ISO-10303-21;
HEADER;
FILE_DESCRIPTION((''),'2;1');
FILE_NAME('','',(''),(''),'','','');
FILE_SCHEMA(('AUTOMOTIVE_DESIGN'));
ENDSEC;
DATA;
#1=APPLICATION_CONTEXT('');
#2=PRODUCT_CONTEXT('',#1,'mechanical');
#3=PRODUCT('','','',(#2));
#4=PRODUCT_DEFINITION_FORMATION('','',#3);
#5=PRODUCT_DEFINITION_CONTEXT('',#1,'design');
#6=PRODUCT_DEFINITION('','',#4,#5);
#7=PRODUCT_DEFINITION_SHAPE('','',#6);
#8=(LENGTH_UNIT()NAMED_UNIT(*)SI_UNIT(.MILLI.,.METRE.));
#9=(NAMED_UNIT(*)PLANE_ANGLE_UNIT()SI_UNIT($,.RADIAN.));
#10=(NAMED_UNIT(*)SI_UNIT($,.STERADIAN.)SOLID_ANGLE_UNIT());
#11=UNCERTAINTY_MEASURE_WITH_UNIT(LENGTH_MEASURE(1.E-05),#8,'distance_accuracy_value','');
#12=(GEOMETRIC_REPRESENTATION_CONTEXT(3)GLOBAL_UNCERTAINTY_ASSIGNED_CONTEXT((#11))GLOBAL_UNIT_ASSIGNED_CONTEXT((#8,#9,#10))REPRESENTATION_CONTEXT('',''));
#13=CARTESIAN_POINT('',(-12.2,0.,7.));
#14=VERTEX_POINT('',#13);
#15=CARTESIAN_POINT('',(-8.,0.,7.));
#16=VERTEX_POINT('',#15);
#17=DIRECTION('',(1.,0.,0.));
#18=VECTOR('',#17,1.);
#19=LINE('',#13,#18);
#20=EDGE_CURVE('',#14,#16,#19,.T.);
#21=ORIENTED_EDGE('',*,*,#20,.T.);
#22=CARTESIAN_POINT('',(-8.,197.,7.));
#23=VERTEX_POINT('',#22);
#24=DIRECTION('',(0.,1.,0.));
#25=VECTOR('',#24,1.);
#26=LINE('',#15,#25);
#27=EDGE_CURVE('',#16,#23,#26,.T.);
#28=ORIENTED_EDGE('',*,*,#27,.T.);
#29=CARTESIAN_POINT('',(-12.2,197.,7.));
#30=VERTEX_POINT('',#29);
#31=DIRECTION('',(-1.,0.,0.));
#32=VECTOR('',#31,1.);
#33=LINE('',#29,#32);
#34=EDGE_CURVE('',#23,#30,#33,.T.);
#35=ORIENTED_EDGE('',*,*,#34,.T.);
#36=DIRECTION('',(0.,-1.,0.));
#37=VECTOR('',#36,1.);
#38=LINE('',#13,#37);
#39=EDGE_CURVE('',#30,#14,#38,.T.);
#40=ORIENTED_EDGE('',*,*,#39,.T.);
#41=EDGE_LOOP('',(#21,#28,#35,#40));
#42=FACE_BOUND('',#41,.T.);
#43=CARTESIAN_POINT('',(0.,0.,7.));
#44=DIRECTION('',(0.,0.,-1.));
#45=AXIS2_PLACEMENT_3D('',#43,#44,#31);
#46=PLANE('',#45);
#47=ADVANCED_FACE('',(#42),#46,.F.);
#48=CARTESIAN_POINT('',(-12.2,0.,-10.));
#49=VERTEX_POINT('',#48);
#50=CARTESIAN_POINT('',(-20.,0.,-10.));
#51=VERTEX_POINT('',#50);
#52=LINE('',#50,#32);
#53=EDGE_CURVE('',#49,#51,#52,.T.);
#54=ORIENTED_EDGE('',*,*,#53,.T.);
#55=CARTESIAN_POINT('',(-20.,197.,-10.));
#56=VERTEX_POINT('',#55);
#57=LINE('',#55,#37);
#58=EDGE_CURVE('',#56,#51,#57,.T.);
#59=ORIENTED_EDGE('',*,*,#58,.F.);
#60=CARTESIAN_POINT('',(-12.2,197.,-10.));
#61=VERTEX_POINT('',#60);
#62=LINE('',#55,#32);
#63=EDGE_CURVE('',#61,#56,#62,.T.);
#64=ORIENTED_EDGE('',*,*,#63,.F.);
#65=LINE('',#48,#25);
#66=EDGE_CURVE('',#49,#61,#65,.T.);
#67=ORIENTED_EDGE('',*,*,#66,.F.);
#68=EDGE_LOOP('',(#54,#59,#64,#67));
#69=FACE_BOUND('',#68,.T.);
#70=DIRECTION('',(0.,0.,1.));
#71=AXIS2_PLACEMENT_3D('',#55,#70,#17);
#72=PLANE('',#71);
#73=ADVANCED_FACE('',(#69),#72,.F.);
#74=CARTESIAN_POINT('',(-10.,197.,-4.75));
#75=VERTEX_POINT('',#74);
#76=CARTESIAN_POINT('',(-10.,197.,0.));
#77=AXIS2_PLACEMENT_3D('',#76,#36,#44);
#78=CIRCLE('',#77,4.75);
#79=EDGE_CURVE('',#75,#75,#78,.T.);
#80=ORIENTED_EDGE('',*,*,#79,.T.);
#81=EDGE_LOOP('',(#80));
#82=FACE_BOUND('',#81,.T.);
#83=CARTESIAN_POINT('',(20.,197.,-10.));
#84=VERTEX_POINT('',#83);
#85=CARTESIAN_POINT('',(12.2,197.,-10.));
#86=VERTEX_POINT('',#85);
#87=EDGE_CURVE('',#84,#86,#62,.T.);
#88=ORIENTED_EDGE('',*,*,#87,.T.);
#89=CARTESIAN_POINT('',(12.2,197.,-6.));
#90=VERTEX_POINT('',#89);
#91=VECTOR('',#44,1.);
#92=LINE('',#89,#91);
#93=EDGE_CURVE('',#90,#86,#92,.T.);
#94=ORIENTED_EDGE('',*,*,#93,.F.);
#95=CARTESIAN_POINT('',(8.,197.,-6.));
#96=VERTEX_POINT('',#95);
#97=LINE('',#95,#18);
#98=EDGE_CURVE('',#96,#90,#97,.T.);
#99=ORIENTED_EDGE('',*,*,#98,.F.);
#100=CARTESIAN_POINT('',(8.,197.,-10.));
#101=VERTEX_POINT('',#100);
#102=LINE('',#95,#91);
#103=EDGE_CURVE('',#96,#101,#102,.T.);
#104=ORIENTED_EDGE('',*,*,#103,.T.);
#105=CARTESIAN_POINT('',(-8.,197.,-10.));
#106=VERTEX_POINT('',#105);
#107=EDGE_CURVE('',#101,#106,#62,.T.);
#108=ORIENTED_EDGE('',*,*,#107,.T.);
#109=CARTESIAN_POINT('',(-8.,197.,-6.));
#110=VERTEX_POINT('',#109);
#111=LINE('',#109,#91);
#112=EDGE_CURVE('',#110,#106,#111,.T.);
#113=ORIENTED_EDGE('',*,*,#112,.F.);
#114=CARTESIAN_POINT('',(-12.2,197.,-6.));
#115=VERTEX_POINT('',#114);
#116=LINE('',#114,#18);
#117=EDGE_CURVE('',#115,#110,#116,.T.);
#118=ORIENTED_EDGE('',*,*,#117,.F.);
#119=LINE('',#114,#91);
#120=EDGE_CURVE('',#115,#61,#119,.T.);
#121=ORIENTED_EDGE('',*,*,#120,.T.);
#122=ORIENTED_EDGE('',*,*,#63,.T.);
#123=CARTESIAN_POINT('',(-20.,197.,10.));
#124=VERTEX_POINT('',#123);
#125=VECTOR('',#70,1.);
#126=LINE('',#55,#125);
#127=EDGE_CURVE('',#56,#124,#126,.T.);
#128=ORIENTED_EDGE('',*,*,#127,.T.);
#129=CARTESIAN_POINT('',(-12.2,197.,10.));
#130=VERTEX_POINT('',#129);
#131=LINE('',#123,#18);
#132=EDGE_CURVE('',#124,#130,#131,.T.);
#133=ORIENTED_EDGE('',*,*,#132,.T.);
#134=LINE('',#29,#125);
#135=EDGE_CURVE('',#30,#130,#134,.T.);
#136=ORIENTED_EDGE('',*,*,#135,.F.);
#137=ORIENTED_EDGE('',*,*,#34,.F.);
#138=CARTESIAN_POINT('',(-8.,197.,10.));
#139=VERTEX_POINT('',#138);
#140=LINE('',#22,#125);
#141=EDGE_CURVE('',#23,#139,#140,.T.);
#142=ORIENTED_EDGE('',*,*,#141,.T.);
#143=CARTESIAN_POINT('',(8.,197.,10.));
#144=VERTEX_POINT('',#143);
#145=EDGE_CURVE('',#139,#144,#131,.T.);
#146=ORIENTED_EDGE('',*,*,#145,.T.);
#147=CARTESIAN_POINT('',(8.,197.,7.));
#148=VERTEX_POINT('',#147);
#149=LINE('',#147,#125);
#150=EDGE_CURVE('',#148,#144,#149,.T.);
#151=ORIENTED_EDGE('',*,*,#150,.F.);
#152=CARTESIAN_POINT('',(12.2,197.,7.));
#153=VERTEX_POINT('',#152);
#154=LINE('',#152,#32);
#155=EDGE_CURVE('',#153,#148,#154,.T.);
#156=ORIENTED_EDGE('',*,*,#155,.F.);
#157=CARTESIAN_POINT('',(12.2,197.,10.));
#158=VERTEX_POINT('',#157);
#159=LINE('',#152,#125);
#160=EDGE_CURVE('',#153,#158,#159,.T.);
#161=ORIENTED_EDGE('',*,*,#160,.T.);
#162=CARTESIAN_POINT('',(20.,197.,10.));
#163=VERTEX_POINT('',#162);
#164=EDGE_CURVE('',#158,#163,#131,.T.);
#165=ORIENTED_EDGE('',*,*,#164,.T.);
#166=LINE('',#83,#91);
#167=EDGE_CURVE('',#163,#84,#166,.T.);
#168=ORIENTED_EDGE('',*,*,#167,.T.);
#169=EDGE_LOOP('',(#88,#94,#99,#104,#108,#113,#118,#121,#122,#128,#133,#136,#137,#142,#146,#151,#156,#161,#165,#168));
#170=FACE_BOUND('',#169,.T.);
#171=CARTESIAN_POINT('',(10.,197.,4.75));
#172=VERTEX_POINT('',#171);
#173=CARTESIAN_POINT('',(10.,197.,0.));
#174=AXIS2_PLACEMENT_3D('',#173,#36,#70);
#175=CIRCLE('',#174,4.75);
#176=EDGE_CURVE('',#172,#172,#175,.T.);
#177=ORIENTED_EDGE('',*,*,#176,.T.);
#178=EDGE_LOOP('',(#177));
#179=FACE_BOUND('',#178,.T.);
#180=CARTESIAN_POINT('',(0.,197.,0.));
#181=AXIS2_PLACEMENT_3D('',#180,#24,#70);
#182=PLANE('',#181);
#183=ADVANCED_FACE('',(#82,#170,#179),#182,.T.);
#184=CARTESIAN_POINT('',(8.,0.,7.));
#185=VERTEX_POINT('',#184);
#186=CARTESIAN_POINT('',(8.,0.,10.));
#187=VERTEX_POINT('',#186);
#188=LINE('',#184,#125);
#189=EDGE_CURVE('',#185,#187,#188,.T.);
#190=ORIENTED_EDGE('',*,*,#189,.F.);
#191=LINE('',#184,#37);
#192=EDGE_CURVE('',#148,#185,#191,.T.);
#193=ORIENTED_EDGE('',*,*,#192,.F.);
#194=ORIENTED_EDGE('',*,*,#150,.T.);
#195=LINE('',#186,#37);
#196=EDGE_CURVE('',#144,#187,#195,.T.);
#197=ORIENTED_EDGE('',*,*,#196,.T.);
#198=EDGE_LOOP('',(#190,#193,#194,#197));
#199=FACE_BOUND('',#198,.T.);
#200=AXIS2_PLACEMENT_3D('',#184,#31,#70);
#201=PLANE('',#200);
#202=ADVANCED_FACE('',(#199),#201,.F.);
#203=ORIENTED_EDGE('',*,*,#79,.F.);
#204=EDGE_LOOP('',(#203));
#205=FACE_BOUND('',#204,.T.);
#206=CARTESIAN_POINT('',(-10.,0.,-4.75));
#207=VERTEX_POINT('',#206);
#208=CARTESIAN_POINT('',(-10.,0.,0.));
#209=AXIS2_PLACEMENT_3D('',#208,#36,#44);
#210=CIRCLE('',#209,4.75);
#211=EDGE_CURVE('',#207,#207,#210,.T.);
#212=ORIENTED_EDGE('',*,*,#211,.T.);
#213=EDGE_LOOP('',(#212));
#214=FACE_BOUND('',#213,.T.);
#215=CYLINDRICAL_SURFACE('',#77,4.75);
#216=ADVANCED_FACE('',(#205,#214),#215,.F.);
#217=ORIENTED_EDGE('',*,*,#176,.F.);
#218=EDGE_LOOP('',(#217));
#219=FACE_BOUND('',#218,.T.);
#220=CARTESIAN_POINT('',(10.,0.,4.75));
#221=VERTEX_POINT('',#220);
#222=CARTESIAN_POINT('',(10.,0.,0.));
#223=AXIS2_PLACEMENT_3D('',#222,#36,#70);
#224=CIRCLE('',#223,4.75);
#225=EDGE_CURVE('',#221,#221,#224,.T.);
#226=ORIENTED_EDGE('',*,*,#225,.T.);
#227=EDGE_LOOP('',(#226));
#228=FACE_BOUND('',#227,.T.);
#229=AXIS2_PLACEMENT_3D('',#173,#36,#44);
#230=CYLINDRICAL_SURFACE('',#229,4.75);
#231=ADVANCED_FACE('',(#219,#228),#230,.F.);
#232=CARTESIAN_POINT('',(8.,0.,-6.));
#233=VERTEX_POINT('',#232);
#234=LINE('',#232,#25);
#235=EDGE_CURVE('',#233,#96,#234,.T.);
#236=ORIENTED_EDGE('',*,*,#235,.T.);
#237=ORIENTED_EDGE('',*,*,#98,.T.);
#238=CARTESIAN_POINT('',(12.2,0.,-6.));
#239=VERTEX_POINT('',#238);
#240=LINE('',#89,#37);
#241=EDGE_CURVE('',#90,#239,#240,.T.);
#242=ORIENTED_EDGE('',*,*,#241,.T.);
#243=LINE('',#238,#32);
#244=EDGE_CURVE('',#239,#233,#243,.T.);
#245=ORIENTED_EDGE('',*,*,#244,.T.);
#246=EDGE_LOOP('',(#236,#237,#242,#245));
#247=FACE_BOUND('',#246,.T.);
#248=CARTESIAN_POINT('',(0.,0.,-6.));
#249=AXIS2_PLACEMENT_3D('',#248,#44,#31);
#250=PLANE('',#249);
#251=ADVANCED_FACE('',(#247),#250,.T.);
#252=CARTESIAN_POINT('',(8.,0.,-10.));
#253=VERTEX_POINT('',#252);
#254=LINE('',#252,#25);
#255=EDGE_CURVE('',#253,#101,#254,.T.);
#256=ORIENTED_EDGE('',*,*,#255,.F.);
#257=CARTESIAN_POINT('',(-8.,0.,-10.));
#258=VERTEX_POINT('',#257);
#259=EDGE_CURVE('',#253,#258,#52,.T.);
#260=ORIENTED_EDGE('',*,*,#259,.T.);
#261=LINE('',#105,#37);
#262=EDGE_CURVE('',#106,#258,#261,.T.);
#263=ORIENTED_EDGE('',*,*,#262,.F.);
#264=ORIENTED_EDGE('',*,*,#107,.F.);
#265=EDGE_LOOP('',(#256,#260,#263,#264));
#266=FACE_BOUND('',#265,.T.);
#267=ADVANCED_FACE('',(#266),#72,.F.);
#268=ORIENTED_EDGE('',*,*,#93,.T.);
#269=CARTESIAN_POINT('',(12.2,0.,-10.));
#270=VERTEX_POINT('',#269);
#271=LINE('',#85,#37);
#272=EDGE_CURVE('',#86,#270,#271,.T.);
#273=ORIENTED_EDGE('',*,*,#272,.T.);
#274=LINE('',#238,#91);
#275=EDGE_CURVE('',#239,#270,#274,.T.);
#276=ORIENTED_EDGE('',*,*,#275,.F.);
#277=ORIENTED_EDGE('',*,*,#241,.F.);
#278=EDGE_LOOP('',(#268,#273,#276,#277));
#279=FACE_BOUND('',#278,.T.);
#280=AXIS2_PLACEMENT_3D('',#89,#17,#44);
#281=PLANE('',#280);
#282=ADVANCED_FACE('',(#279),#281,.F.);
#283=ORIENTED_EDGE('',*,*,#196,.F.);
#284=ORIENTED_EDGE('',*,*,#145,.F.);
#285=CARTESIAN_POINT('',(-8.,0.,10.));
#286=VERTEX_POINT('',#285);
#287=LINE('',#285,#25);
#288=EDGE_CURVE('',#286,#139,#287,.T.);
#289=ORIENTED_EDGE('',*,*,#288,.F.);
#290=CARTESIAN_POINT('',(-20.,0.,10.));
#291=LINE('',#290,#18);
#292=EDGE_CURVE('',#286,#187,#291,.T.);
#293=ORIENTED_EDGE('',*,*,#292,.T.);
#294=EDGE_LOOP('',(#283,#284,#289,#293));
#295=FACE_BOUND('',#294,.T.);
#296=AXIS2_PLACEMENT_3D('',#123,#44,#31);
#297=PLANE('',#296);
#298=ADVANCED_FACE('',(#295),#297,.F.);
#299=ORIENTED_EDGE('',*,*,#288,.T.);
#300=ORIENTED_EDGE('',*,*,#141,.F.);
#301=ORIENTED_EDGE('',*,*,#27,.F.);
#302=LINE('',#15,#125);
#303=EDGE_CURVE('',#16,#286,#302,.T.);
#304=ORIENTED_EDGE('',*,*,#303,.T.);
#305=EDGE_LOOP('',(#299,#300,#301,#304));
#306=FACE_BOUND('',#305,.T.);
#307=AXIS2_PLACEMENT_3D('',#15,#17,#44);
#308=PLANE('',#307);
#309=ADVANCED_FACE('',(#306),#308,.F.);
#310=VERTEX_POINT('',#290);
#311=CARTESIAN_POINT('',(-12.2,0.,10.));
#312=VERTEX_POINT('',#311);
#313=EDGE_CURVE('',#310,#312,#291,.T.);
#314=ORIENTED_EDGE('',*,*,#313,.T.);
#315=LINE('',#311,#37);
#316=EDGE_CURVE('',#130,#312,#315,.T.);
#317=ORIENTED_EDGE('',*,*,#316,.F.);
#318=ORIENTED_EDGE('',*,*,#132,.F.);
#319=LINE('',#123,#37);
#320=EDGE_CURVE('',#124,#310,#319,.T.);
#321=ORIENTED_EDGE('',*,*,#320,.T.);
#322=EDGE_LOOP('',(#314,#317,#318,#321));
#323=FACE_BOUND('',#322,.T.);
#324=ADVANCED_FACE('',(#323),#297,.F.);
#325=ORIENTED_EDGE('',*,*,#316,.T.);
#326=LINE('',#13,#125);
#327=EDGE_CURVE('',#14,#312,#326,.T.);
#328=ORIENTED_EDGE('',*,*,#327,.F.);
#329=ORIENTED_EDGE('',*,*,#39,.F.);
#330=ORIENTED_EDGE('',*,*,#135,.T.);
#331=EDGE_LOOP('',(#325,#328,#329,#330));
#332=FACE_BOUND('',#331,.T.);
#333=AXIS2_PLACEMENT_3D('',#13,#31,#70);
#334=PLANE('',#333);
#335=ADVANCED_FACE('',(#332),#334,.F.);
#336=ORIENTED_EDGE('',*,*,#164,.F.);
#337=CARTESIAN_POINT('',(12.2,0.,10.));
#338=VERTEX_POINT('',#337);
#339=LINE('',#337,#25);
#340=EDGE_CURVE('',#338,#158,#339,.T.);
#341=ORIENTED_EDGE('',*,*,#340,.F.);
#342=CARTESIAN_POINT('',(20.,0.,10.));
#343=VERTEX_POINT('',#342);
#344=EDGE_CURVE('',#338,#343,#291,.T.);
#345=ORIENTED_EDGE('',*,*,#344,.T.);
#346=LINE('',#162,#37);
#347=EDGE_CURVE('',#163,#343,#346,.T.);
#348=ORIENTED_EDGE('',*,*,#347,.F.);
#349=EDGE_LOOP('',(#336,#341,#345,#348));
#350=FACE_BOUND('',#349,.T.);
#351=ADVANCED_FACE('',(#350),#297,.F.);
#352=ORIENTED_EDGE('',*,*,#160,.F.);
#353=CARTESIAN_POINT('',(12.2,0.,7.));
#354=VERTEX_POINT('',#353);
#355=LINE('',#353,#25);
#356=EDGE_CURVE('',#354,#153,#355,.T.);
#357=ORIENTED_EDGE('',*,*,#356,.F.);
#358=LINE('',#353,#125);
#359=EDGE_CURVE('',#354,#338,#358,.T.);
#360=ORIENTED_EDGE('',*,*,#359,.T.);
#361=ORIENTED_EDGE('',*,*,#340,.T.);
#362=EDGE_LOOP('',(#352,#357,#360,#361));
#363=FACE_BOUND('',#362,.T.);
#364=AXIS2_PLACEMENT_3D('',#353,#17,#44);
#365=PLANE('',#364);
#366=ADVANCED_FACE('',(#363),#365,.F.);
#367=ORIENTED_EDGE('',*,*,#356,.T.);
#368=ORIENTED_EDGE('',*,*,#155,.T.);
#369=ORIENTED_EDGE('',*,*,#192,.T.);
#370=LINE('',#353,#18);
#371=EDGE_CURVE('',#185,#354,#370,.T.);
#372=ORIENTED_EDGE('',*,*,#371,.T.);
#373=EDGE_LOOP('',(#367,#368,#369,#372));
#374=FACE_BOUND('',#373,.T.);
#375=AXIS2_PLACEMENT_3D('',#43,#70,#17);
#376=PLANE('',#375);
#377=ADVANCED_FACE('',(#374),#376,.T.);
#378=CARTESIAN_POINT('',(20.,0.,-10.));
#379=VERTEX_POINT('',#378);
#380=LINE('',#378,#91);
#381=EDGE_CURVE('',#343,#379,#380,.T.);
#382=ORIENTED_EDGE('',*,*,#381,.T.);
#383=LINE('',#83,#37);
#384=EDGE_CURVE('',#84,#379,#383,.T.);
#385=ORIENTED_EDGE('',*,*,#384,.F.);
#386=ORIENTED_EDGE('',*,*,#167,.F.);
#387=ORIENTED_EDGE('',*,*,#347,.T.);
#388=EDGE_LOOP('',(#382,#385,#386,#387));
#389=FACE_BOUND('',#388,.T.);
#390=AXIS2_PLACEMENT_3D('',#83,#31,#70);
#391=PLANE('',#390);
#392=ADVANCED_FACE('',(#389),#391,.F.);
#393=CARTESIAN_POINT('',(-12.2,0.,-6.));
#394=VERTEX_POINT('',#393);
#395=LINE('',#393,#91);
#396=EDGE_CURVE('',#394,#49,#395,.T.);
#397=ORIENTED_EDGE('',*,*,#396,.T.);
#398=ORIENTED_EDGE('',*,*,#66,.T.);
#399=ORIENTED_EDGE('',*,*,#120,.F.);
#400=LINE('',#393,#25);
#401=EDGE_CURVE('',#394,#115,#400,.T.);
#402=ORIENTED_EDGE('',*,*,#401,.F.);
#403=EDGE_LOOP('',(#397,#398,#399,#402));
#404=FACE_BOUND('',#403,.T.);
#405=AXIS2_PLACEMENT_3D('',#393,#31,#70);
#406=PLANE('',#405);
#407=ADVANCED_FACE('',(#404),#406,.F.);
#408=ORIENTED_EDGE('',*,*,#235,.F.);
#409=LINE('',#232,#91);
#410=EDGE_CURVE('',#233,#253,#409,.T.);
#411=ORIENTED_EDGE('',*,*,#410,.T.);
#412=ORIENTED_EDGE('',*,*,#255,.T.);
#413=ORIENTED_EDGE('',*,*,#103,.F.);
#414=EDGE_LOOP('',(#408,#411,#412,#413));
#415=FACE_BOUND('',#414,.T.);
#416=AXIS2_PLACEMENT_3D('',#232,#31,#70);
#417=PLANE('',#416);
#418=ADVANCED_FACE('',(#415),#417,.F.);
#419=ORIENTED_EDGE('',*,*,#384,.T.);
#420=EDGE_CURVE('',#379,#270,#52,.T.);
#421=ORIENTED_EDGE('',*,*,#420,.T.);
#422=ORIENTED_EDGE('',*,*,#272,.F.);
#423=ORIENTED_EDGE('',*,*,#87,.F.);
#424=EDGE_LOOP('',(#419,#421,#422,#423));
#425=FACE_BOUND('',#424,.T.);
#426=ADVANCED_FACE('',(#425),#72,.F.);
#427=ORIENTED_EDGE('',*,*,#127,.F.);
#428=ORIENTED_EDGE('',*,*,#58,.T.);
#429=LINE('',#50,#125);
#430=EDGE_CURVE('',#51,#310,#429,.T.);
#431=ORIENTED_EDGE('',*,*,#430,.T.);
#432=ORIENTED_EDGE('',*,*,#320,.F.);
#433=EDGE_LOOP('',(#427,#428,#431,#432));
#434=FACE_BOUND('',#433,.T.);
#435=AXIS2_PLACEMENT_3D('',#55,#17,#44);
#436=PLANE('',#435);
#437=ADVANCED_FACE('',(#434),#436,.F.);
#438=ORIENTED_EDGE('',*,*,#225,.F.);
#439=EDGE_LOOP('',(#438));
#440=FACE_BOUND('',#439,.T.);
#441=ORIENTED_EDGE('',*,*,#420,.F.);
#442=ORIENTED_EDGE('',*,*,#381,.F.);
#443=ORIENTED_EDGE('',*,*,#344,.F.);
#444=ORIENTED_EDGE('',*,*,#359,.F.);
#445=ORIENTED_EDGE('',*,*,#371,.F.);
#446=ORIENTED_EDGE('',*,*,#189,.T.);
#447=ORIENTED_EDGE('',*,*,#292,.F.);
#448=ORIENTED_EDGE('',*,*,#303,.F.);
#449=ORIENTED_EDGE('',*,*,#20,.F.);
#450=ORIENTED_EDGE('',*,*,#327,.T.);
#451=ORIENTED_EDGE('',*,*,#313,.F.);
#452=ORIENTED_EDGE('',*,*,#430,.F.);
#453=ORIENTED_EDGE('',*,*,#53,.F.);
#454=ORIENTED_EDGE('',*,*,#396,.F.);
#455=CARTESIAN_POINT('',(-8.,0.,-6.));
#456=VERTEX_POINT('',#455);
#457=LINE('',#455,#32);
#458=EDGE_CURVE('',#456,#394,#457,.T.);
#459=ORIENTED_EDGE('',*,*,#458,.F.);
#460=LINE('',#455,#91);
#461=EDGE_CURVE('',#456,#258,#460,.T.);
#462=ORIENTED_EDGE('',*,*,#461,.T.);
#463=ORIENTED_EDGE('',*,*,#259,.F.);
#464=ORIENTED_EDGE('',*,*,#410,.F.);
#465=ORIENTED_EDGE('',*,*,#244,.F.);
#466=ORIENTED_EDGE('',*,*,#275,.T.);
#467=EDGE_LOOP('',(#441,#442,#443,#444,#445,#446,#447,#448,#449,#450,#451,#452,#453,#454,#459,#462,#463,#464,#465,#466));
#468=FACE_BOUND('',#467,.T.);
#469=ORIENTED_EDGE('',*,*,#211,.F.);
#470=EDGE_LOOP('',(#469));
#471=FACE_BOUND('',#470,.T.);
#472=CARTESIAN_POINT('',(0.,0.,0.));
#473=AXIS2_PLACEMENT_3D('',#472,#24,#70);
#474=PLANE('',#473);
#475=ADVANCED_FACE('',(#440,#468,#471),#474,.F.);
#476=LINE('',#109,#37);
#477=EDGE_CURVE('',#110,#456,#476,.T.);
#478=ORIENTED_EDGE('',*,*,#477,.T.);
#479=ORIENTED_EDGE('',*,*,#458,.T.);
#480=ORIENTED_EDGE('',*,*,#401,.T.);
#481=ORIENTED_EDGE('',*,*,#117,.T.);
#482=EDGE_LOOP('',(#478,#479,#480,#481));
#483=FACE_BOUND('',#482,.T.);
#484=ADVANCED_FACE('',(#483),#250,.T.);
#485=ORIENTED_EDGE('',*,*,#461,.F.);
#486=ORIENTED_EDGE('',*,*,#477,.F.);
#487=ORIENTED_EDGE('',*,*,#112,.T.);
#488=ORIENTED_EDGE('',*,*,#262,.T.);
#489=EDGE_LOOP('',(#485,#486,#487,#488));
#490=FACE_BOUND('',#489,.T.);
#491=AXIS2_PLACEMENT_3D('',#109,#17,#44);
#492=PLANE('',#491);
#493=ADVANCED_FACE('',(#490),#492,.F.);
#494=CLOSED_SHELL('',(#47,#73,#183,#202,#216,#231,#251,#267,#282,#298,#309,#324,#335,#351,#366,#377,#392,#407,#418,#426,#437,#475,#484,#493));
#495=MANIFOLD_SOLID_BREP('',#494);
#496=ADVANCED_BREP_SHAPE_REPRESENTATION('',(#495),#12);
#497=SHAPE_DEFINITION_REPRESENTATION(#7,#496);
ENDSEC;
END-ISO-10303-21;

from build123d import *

# Parameters (mm, degrees)
SKETCH_2_W          = 40
SKETCH_2_H          = 20
EXTRUDE_1_DEPTH     = 197
SKETCH_3_R          = 4.75
CUT_EXTRUDE_1_DEPTH = 198
SKETCH_4_W          = 4.2
SKETCH_4_H          = 197
CUT_EXTRUDE_2_DEPTH = 3
SKETCH_5_W          = 4.2
SKETCH_5_H          = 197
CUT_EXTRUDE_3_DEPTH = 4


with BuildPart() as part:
    # 草图2 → 凸台-拉伸1 (new body)
    with BuildSketch(Plane(origin=(0, 0, 0), x_dir=(1, 0, 0), z_dir=(0, 1, 0))):
        Rectangle(SKETCH_2_W, SKETCH_2_H)
    extrude(amount=EXTRUDE_1_DEPTH)

    # 草图3 → 切除-拉伸1 (cut, through all)
    with BuildSketch(Plane.XZ):
        with Locations((-10, 0)):
            Circle(SKETCH_3_R)
        with Locations((10, 0)):
            Circle(SKETCH_3_R)
    extrude(amount=-CUT_EXTRUDE_1_DEPTH, mode=Mode.SUBTRACT)

    # 草图4 → 切除-拉伸2 (cut)
    with BuildSketch(Plane.XY.offset(10)):
        with Locations((-10.1, 98.5)):
            Rectangle(SKETCH_4_W, SKETCH_4_H)
        with Locations((10.1, 98.5)):
            Rectangle(SKETCH_4_W, SKETCH_4_H)
    extrude(amount=-CUT_EXTRUDE_2_DEPTH, mode=Mode.SUBTRACT)

    # 草图5 → 切除-拉伸3 (cut)
    with BuildSketch(Plane(origin=(0, 0, -10), x_dir=(-1, 0, 0), z_dir=(0, 0, -1))):
        with Locations((-10.1, 98.5)):
            Rectangle(SKETCH_5_W, SKETCH_5_H)
        with Locations((10.1, 98.5)):
            Rectangle(SKETCH_5_W, SKETCH_5_H)
    extrude(amount=-CUT_EXTRUDE_3_DEPTH, mode=Mode.SUBTRACT)


solid = part.part
